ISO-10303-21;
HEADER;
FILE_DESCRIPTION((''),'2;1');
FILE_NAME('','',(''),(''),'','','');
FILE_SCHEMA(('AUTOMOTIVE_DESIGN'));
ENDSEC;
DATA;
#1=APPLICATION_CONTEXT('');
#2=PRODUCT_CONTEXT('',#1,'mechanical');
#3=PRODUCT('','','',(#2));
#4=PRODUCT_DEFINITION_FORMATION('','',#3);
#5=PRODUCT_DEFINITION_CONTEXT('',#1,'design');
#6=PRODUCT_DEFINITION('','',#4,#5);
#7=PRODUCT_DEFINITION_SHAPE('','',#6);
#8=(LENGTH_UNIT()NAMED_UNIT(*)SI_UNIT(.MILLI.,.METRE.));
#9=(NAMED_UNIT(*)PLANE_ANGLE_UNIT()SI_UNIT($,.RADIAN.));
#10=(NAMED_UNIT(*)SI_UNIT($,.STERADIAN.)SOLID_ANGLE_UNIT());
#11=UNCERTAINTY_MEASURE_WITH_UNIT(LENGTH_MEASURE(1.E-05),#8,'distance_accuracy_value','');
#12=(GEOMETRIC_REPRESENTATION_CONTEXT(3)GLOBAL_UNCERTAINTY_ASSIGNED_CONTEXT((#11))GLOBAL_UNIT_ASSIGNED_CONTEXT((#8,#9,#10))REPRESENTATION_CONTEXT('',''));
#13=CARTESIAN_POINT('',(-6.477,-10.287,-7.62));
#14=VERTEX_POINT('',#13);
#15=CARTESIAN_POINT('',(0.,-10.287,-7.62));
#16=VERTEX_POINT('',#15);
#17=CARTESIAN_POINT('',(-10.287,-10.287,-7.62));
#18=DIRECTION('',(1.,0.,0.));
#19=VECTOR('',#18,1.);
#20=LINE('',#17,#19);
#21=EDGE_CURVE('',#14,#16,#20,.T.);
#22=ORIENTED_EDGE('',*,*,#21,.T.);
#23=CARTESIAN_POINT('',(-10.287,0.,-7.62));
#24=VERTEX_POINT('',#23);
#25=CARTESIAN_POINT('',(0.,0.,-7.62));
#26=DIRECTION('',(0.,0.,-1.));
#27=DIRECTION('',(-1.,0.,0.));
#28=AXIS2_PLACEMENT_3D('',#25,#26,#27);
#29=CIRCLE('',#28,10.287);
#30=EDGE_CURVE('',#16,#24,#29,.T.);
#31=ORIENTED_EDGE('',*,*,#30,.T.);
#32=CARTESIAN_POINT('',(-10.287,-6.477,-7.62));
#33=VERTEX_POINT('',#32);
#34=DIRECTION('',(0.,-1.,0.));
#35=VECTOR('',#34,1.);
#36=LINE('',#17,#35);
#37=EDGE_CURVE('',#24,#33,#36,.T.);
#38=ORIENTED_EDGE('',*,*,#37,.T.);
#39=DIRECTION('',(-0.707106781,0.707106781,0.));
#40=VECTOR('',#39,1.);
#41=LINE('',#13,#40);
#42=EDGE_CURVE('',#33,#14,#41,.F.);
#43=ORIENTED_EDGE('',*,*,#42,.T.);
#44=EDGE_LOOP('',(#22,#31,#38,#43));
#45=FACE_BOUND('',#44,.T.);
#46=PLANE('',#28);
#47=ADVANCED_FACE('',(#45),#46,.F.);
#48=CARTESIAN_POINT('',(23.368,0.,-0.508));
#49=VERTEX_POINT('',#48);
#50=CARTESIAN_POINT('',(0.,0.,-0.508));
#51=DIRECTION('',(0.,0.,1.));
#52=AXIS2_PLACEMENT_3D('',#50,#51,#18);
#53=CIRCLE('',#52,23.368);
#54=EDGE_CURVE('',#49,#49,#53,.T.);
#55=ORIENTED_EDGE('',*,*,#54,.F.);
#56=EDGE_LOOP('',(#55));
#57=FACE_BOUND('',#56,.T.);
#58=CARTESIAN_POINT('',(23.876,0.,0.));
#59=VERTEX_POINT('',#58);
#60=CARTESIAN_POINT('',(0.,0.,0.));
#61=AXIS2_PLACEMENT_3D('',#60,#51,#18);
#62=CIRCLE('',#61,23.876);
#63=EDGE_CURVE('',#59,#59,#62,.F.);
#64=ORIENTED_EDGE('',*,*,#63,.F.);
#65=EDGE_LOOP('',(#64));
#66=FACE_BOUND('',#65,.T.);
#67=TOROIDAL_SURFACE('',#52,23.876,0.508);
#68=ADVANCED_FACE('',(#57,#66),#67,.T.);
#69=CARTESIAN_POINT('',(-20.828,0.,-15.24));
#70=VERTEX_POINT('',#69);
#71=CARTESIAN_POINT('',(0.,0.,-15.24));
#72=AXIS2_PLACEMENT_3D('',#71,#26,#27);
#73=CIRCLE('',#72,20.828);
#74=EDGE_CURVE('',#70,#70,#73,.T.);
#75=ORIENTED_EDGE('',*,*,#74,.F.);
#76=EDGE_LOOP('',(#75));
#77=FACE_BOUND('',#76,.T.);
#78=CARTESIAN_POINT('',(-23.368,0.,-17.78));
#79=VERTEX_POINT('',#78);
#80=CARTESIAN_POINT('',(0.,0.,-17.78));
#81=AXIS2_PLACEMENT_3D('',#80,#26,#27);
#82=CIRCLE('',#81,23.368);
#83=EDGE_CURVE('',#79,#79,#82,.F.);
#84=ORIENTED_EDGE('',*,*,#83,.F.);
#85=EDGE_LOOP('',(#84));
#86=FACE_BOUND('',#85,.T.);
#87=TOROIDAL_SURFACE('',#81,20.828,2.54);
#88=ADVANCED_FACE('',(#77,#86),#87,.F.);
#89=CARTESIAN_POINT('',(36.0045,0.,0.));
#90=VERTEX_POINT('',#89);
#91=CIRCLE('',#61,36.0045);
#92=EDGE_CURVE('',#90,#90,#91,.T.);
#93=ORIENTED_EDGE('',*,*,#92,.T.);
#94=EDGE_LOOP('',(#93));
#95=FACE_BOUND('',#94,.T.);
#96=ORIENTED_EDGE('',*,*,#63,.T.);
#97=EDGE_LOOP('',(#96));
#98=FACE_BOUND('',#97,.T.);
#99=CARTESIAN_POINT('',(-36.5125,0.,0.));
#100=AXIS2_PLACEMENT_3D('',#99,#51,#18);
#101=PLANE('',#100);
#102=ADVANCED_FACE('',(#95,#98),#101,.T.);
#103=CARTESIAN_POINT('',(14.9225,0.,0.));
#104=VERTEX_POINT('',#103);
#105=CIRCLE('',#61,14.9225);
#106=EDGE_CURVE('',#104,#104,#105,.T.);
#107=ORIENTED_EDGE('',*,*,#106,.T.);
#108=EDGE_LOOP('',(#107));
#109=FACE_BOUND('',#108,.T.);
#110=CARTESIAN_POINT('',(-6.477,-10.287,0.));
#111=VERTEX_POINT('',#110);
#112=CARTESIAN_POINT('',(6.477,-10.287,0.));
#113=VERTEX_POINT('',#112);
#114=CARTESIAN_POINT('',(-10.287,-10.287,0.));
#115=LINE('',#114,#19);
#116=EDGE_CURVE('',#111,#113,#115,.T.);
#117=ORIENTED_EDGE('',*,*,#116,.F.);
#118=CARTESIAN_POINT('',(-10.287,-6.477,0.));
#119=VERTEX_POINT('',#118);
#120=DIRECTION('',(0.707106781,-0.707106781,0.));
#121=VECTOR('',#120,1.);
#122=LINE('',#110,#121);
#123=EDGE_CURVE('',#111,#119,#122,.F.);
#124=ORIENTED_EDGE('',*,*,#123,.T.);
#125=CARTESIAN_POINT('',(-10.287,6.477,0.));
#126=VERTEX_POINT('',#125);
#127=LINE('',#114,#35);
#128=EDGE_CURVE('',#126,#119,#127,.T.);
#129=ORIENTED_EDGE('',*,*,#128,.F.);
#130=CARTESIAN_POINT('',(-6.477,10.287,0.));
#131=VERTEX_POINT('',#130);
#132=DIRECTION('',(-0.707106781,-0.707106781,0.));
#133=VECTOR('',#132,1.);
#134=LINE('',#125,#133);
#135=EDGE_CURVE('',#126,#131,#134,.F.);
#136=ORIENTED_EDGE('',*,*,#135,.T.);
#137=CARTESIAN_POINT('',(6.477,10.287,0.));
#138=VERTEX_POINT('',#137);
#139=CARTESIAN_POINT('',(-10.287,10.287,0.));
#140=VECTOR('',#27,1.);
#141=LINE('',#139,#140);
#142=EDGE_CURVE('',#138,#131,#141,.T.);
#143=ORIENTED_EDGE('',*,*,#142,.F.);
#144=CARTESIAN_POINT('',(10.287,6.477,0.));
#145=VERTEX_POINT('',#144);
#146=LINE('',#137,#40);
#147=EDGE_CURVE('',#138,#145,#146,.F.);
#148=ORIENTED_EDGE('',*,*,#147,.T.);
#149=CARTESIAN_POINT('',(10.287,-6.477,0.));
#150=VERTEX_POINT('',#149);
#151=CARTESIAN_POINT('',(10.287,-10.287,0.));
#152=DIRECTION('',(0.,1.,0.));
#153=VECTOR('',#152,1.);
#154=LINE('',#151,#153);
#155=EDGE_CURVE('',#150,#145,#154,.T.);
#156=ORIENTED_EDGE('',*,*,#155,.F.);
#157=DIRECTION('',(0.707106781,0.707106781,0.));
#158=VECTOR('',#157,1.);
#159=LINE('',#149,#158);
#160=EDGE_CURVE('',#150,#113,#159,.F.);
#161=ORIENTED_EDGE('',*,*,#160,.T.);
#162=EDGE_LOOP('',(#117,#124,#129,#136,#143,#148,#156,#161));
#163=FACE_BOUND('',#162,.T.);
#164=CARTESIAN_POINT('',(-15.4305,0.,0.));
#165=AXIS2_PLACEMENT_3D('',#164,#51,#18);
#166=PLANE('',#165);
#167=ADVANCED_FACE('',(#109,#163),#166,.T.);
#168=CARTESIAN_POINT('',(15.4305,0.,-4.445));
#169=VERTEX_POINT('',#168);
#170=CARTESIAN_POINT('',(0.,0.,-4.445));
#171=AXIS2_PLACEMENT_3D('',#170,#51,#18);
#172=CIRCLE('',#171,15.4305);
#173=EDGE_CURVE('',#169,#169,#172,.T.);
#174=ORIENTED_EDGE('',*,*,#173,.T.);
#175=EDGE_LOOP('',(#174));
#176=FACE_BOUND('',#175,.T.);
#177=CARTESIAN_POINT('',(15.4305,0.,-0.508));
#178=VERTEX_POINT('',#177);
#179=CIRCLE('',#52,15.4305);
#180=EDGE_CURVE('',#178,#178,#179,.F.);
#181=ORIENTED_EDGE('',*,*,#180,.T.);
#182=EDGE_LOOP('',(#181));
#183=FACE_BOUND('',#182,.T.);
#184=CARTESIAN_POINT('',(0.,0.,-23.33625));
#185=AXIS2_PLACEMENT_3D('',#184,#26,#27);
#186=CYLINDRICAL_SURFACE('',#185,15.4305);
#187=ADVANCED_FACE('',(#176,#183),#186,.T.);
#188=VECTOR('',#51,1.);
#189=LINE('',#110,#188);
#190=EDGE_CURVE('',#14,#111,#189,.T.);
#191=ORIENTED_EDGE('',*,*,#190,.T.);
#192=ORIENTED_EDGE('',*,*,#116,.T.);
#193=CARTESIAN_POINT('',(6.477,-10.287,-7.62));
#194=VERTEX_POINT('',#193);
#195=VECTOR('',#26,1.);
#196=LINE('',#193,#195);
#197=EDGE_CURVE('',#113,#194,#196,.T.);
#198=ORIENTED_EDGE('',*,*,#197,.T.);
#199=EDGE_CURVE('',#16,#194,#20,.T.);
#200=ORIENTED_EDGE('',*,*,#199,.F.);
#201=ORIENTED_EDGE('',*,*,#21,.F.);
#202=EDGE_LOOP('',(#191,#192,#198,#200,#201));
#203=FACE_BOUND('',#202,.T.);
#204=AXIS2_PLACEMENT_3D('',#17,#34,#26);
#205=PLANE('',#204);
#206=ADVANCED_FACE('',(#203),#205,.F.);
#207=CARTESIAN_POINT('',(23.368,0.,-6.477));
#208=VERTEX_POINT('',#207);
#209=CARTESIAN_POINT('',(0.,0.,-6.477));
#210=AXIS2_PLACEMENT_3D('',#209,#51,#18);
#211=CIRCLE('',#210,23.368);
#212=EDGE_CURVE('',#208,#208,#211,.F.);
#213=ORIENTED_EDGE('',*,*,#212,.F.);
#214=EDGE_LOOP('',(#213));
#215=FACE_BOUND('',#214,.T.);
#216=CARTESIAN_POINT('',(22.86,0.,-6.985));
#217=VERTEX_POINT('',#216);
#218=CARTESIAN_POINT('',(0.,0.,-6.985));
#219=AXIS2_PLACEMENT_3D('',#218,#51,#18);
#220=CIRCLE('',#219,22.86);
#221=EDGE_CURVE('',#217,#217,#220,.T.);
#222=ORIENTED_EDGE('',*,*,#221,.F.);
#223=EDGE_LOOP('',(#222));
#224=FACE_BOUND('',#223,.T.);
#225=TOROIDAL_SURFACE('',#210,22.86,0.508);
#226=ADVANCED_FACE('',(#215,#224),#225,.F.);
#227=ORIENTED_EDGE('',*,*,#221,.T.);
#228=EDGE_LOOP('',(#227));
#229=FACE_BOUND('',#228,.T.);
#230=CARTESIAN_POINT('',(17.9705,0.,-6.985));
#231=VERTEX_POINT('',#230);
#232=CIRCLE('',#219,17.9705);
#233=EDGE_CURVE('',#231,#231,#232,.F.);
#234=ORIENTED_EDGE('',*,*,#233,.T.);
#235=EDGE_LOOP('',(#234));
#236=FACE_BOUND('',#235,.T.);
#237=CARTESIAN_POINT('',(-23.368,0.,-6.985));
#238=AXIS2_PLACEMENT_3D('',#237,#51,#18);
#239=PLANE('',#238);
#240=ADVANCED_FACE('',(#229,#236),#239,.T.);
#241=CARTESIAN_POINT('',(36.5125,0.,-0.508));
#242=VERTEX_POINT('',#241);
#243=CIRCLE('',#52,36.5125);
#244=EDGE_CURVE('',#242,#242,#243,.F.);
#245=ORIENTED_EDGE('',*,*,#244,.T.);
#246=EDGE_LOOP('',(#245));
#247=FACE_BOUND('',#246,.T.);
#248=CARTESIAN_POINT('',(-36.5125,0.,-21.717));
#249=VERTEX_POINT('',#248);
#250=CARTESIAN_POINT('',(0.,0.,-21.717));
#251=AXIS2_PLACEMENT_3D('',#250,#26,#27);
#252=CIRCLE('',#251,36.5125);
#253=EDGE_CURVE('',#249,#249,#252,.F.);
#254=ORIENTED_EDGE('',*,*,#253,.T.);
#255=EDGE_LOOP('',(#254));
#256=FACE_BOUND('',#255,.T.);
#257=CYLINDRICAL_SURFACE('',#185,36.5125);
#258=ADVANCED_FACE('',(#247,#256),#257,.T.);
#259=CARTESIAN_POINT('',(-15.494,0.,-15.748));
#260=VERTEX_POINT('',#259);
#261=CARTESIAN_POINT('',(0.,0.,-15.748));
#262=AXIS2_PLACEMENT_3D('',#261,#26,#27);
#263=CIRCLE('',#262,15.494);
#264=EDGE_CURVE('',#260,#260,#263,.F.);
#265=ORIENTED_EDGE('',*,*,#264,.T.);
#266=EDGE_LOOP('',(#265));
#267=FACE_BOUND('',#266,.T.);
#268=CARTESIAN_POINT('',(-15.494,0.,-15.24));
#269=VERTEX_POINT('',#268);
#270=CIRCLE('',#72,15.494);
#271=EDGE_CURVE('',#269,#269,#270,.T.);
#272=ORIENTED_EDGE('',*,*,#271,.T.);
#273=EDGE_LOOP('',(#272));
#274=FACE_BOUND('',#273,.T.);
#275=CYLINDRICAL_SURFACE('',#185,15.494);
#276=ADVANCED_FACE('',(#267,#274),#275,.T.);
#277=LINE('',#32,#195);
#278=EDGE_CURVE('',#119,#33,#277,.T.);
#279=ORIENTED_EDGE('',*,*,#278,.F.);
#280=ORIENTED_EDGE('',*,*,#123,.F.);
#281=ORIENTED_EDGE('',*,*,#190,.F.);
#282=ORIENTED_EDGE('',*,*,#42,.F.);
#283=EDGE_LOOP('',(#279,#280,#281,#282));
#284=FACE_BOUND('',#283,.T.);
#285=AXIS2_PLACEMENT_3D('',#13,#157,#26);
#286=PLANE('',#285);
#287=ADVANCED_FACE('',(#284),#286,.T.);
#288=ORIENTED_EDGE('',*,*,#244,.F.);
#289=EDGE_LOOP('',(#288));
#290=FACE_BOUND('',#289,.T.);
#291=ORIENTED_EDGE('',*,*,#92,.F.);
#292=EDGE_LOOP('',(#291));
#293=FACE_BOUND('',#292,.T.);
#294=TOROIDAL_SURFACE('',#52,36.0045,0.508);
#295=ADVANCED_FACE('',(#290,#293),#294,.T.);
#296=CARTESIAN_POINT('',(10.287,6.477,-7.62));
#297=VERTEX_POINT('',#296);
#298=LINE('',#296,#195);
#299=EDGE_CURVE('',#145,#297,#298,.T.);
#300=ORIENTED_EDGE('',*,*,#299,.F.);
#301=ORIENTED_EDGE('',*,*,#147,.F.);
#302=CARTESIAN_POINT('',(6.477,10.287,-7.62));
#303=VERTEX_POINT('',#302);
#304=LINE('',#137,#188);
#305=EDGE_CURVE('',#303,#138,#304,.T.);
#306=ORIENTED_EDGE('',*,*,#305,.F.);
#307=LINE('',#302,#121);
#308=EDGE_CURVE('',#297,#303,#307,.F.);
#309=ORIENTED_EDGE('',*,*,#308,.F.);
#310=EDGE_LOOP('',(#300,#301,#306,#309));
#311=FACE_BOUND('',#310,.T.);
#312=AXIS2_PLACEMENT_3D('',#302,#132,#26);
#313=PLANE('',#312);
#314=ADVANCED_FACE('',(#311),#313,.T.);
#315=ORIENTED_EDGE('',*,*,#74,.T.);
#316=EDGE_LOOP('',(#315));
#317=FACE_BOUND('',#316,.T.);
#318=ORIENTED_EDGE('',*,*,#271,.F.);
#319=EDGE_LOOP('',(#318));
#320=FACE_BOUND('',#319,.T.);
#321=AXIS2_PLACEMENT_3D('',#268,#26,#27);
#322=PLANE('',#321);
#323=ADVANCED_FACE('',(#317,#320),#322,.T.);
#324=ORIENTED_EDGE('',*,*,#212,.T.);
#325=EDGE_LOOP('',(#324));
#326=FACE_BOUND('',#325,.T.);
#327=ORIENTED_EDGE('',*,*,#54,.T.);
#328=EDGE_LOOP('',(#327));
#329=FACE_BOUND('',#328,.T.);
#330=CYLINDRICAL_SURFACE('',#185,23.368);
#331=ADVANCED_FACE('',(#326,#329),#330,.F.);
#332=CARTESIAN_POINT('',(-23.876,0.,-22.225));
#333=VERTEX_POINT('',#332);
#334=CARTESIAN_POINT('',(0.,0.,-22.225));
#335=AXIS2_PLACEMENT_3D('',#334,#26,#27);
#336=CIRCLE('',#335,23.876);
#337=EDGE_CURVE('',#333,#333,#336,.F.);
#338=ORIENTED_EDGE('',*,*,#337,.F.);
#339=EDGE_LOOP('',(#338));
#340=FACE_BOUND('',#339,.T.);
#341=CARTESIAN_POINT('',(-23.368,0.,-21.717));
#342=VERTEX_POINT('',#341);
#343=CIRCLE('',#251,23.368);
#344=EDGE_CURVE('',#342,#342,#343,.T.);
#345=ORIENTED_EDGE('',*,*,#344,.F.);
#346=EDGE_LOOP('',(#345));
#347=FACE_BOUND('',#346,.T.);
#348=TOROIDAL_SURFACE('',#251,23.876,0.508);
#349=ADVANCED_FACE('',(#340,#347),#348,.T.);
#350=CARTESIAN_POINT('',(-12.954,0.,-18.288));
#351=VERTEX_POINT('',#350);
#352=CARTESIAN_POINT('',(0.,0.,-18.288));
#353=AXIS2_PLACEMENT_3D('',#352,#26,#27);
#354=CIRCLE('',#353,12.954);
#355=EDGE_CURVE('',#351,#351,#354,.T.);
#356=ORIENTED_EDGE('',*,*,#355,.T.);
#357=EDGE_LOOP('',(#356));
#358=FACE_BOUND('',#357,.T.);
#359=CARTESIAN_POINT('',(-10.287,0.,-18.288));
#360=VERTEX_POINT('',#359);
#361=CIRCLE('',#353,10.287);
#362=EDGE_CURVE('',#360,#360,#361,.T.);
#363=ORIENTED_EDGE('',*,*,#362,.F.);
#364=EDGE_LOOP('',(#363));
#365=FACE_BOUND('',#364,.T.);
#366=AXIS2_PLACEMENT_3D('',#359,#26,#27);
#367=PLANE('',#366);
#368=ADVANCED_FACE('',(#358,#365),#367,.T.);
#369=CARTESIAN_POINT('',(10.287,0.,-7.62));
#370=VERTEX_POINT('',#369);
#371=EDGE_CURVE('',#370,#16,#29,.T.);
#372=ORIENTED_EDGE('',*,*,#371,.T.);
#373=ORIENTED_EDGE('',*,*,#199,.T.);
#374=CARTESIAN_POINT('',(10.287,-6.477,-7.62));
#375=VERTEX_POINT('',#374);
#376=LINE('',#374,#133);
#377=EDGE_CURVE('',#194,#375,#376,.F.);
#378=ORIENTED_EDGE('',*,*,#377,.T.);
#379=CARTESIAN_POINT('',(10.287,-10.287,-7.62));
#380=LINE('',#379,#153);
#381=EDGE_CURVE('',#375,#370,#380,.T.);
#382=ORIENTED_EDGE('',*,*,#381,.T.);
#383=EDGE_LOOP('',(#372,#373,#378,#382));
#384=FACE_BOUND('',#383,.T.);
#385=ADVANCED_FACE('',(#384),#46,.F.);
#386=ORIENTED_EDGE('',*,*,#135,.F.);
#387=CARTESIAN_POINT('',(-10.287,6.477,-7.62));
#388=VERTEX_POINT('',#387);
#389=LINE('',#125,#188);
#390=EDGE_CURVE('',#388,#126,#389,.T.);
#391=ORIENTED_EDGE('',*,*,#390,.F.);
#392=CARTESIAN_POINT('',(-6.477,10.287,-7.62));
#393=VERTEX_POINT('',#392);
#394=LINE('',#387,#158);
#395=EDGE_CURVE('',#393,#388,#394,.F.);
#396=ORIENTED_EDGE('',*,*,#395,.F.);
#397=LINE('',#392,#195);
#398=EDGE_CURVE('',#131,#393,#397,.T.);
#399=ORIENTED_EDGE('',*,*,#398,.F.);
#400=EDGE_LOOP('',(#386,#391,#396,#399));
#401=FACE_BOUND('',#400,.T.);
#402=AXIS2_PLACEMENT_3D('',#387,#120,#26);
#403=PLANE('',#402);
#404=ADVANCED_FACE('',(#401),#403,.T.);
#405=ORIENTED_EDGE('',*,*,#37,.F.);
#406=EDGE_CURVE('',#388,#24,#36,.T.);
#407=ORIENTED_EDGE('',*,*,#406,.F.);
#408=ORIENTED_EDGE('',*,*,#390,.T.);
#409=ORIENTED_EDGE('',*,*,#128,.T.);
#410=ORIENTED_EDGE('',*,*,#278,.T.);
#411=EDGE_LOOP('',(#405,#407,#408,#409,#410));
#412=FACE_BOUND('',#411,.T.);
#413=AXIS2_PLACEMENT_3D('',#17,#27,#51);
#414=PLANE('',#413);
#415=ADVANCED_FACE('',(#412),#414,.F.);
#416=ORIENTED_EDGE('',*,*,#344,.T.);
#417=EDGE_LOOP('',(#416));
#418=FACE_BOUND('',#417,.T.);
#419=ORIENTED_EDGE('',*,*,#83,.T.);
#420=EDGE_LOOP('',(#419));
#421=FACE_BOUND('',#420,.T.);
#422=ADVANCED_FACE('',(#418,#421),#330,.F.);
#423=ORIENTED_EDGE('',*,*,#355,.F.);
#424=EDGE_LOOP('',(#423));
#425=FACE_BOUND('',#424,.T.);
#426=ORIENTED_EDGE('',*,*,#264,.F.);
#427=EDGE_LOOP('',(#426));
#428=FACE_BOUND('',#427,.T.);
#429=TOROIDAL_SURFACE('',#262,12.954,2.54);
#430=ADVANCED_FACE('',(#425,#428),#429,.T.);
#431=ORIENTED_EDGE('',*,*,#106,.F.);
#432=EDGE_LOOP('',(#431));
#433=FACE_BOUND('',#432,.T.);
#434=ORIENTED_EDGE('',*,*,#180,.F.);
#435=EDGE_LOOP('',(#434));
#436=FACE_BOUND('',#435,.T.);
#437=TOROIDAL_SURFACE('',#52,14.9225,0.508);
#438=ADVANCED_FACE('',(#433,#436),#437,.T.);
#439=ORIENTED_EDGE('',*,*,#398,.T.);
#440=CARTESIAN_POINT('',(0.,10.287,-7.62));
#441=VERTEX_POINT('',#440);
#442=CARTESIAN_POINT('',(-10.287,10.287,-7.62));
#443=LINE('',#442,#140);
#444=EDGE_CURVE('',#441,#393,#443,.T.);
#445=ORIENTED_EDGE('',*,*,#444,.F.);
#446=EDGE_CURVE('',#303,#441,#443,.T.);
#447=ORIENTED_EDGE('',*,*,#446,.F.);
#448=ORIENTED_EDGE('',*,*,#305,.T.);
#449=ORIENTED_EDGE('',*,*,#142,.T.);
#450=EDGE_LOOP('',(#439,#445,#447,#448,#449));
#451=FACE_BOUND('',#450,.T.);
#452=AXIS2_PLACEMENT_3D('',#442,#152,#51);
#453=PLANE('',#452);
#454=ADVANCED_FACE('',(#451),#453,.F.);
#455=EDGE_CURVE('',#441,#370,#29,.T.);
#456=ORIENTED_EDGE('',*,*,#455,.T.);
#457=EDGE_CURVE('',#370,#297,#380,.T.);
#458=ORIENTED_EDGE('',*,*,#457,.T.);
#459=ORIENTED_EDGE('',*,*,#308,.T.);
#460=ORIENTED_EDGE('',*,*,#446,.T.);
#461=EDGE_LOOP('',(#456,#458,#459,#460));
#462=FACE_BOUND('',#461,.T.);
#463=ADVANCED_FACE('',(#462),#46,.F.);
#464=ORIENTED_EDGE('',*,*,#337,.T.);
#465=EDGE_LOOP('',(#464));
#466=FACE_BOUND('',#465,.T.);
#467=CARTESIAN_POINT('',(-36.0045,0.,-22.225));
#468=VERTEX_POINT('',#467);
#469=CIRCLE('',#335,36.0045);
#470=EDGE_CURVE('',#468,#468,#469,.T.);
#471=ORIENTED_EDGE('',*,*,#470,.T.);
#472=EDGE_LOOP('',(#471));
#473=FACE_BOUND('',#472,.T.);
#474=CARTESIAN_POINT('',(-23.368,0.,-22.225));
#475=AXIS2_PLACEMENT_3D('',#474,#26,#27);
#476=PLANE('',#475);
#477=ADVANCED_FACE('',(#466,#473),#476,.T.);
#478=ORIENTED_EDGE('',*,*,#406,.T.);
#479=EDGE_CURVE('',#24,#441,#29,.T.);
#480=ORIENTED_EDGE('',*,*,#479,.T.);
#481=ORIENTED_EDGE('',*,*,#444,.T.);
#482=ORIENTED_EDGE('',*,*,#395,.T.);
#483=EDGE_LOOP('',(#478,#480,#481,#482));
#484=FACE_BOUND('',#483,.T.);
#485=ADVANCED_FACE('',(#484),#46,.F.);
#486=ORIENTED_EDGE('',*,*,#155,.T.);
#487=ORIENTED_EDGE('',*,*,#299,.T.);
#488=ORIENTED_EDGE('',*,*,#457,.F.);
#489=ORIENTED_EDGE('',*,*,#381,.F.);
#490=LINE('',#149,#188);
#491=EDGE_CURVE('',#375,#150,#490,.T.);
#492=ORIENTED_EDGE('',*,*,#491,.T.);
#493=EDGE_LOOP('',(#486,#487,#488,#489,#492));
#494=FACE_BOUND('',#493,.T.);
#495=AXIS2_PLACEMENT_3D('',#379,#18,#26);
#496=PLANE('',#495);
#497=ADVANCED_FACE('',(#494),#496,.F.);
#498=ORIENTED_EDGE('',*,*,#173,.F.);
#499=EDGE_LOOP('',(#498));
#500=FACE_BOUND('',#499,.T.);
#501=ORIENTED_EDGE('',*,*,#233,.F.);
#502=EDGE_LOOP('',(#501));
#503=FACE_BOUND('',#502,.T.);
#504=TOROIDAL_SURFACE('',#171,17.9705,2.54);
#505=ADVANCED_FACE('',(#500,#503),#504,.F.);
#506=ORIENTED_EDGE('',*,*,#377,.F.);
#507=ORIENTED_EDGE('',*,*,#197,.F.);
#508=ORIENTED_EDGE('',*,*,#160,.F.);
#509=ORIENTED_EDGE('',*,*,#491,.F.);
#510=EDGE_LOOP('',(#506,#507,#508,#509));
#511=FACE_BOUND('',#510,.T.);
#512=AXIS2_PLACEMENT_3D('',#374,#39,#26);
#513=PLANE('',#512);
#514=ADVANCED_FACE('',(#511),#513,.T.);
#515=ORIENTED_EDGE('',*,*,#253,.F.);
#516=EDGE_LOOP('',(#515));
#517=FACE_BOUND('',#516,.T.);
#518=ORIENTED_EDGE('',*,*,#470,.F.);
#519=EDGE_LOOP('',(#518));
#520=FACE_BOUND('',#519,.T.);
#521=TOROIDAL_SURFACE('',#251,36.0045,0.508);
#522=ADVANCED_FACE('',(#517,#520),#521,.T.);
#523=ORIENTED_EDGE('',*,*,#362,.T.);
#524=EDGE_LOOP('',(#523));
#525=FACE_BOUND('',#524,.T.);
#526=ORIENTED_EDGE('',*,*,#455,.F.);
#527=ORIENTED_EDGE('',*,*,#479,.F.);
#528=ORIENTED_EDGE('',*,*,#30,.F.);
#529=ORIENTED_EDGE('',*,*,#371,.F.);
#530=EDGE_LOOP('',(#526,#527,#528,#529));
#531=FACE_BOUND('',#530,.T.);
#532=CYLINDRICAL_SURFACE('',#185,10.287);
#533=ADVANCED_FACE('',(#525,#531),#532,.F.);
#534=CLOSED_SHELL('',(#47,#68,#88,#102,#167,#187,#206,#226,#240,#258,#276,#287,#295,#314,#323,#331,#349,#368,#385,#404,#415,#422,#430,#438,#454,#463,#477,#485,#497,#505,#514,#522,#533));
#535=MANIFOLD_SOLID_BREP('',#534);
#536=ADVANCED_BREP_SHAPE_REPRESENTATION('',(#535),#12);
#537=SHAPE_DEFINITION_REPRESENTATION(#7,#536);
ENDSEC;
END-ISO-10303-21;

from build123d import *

# Parameters (mm, degrees)
SKETCH2_W          = 20.574
SKETCH2_H          = 20.574
CUT_EXTRUDE1_DEPTH = 7.62
CHAMFER1_SIZE      = 3.81
FILLET1_R          = 2.54
FILLET2_R          = 0.508


with BuildPart() as part:
    # Sketch1 → Revolve1 (revolve)
    with BuildSketch(Plane(origin=(0, 0, 0), x_dir=(1, 0, 0), z_dir=(0, 1, 0))):
        Polygon((-36.5125, 22.225), (-36.5125, 0), (-23.368, 0), (-23.368, 6.985), (-15.4305, 6.985), (-15.4305, 0), (-10.287, 0), (-10.287, 18.288), (-15.494, 18.288), (-15.494, 15.24), (-23.368, 15.24), (-23.368, 22.225), align=None)
    revolve(axis=Axis((0, 0, -23.33625), (0, 0, 1)))

    # Sketch2 → Cut-Extrude1 (cut)
    with BuildSketch(Plane.XY):
        Rectangle(SKETCH2_W, SKETCH2_H)
    extrude(amount=-CUT_EXTRUDE1_DEPTH, mode=Mode.SUBTRACT)

    # Chamfer1
    chamfer1_edges = [part.edges().sort_by_distance(p)[0] for p in [
        (10.287, 10.287, -3.81),
        (10.287, -10.287, -3.81),
        (-10.287, -10.287, -3.81),
        (-10.287, 10.287, -3.81),
    ]]
    chamfer(chamfer1_edges, length=CHAMFER1_SIZE)

    # Fillet1
    fillet1_edges = [part.edges().sort_by_distance(p)[0] for p in [
        (15.4305, 0, -6.985),
        (23.368, 0, -15.24),
        (15.494, 0, -18.288),
    ]]
    fillet(fillet1_edges, radius=FILLET1_R)

    # Fillet2
    fillet2_edges = [part.edges().sort_by_distance(p)[0] for p in [
        (15.4305, 0, 0),
        (23.368, 0, -6.985),
        (23.368, 0, 0),
        (36.5125, 0, 0),
        (36.5125, 0, -22.225),
        (23.368, 0, -22.225),
    ]]
    fillet(fillet2_edges, radius=FILLET2_R)


solid = part.part
